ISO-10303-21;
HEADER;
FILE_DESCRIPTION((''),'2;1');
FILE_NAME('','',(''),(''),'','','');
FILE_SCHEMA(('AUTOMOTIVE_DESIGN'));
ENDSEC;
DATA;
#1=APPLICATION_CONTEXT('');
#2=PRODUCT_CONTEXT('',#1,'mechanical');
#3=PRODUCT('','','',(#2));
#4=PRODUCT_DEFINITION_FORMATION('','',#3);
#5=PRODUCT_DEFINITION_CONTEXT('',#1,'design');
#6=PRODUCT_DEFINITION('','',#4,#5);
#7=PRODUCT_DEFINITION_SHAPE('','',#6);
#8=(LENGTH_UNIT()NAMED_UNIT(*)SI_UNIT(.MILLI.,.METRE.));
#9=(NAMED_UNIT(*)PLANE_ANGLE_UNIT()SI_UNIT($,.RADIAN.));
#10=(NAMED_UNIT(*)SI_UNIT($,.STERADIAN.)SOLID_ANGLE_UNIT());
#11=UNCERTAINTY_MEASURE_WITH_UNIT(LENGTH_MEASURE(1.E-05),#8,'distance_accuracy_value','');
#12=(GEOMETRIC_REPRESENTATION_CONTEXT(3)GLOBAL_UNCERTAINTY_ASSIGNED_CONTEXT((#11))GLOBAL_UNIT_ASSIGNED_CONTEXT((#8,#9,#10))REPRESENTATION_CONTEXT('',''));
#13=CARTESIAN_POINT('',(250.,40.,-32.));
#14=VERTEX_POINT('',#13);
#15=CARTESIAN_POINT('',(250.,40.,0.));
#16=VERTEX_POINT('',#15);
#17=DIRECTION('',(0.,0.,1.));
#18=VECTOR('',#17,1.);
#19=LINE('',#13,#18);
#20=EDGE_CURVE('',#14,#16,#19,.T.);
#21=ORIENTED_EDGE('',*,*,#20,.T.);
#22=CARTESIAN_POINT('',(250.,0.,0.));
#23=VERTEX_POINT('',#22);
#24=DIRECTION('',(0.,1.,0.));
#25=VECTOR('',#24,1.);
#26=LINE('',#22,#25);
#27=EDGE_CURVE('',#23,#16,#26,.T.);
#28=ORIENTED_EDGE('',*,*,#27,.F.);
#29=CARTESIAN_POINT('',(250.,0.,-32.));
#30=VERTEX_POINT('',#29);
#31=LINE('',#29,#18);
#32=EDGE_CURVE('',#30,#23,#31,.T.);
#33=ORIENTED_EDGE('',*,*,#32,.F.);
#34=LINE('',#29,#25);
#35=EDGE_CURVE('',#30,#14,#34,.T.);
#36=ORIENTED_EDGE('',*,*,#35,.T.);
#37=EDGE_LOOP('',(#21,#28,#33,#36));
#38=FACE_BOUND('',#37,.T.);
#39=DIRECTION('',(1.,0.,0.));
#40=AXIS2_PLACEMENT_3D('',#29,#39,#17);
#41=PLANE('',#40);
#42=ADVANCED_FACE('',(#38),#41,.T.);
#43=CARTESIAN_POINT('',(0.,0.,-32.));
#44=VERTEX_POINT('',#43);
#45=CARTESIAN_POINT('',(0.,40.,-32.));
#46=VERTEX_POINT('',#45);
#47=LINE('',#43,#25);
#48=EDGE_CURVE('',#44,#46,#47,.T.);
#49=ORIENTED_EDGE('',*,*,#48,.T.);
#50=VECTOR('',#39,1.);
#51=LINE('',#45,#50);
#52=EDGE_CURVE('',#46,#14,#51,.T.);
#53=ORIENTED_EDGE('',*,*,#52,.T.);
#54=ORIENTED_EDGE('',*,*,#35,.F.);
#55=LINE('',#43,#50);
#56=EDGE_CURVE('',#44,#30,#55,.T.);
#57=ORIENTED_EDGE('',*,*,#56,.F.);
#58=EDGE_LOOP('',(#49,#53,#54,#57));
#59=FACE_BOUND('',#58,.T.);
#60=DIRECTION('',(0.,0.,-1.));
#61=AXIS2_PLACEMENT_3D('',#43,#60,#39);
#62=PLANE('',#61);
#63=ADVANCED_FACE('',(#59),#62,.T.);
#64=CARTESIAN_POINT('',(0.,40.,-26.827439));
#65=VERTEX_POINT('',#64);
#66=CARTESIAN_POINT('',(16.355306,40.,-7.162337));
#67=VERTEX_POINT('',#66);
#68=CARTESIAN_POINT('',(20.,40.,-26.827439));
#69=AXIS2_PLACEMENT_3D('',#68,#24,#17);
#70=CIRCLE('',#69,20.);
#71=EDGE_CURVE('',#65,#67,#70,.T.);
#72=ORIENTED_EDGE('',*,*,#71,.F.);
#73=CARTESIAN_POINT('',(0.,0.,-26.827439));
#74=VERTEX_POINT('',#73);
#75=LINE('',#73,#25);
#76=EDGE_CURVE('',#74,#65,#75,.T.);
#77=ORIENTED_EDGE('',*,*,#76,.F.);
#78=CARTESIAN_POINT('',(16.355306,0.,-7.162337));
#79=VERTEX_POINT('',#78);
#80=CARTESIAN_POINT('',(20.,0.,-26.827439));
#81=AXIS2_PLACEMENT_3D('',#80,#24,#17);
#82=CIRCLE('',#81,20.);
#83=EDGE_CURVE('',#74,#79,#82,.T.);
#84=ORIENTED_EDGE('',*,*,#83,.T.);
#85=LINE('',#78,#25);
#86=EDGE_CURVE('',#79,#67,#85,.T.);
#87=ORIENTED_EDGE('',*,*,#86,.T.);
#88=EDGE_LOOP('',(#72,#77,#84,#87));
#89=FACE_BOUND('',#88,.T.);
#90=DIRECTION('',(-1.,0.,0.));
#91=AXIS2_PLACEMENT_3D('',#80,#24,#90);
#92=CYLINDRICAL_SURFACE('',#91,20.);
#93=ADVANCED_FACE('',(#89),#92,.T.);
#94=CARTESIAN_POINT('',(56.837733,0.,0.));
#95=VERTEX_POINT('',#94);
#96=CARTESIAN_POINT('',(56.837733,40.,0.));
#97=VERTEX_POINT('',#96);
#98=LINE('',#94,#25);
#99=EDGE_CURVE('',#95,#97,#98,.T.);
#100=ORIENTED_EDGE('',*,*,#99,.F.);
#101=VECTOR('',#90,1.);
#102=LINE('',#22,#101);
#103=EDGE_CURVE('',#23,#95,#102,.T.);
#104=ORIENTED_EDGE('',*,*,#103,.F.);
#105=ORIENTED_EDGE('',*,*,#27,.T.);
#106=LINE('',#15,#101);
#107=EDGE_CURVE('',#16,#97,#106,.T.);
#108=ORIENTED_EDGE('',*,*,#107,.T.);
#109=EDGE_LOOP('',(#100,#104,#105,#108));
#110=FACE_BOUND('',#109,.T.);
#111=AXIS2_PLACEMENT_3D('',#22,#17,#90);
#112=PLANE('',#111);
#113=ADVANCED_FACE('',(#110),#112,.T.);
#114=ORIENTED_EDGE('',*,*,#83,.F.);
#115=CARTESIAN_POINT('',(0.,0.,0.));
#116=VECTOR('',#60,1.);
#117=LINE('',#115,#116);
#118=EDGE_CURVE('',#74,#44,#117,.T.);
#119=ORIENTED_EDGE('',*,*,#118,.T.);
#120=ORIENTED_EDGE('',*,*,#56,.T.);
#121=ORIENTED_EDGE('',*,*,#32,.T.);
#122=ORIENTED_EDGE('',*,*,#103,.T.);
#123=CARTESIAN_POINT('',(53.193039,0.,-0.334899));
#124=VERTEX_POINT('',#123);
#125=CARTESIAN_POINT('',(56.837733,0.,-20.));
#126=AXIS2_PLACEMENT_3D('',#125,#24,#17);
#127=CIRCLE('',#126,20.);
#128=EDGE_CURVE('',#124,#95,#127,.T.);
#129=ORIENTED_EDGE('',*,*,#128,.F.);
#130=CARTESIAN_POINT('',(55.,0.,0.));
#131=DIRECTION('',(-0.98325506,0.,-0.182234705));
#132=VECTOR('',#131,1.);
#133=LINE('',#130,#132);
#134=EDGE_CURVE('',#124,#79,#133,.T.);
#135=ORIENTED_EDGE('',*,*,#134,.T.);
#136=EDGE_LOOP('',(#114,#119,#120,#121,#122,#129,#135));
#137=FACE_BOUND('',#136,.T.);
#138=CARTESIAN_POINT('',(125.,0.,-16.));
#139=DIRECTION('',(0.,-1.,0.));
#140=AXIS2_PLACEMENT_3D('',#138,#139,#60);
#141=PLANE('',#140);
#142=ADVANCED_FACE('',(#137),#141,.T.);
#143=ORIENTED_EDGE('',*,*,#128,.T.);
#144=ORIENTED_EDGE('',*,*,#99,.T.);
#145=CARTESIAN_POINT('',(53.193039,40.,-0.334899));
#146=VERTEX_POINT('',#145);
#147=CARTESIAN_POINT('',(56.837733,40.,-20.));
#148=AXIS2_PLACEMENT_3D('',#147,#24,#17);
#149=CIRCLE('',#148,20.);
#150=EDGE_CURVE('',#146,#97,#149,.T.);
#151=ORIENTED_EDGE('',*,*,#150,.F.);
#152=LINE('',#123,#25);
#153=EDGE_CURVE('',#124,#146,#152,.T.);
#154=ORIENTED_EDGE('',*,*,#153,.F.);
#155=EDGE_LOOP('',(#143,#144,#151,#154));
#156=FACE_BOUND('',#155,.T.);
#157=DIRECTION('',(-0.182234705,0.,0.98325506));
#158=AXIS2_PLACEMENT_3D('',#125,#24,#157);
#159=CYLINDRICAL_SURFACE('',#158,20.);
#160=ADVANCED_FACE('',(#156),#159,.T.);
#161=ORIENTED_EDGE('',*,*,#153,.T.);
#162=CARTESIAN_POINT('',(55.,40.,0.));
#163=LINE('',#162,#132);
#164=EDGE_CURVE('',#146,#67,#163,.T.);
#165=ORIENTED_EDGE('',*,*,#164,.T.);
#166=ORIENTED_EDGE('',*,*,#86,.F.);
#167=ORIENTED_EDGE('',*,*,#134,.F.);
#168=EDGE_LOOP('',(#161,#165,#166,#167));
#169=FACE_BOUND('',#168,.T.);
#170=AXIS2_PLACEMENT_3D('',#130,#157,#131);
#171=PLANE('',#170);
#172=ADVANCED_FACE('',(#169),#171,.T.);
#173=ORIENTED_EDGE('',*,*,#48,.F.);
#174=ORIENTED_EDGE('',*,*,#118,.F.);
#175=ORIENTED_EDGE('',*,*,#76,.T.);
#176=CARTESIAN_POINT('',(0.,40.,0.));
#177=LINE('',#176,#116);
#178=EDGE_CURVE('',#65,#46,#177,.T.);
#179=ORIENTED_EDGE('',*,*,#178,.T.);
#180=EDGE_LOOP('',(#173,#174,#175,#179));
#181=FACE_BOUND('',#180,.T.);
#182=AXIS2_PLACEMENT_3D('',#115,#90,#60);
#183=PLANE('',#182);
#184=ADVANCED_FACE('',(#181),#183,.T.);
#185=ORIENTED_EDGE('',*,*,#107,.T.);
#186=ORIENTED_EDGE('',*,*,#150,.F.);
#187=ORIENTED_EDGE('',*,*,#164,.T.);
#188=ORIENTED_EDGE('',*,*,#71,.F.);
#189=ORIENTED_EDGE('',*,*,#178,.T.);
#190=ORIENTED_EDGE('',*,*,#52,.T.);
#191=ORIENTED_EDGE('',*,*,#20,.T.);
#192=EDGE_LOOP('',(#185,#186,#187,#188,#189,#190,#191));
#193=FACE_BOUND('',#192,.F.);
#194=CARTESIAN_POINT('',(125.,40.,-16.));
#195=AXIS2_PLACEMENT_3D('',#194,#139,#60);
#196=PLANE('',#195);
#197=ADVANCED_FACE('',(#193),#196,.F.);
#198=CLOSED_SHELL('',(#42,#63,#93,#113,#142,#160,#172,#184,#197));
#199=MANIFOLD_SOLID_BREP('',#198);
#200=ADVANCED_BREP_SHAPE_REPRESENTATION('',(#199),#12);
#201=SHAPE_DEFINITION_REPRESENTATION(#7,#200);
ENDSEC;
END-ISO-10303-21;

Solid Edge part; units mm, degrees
sketch "Sketch1" plane through (0, 0, 0) normal (0, -1, 0) x (1, 0, 0)
  line L0 (0, -32) -> (250, -32)
  line L1 (250, -32) -> (250, 0)
  line L2 (250, 0) -> (0, 0)
  line L3 (0, 0) -> (0, -32)
extrude "Protrusion1" add sketch "Sketch1" against normal blind 40
sketch "Sketch2" plane through (125, 0, -16) normal (0, -1, 0) x (1, 0, 0)
  line L0 (-70, 16) -> (-125, 5.8064)
  line L1 (-125, 5.8064) -> (-125, 16)
  line L2 (-125, 16) -> (-70, 16)
extrude "ExtrudedCutout_1" cut sketch "Sketch2" against normal blind 40
fillet "Round_1" radius 20 2 edges at (0, 20, -10.1936) (55, 20, 0)
